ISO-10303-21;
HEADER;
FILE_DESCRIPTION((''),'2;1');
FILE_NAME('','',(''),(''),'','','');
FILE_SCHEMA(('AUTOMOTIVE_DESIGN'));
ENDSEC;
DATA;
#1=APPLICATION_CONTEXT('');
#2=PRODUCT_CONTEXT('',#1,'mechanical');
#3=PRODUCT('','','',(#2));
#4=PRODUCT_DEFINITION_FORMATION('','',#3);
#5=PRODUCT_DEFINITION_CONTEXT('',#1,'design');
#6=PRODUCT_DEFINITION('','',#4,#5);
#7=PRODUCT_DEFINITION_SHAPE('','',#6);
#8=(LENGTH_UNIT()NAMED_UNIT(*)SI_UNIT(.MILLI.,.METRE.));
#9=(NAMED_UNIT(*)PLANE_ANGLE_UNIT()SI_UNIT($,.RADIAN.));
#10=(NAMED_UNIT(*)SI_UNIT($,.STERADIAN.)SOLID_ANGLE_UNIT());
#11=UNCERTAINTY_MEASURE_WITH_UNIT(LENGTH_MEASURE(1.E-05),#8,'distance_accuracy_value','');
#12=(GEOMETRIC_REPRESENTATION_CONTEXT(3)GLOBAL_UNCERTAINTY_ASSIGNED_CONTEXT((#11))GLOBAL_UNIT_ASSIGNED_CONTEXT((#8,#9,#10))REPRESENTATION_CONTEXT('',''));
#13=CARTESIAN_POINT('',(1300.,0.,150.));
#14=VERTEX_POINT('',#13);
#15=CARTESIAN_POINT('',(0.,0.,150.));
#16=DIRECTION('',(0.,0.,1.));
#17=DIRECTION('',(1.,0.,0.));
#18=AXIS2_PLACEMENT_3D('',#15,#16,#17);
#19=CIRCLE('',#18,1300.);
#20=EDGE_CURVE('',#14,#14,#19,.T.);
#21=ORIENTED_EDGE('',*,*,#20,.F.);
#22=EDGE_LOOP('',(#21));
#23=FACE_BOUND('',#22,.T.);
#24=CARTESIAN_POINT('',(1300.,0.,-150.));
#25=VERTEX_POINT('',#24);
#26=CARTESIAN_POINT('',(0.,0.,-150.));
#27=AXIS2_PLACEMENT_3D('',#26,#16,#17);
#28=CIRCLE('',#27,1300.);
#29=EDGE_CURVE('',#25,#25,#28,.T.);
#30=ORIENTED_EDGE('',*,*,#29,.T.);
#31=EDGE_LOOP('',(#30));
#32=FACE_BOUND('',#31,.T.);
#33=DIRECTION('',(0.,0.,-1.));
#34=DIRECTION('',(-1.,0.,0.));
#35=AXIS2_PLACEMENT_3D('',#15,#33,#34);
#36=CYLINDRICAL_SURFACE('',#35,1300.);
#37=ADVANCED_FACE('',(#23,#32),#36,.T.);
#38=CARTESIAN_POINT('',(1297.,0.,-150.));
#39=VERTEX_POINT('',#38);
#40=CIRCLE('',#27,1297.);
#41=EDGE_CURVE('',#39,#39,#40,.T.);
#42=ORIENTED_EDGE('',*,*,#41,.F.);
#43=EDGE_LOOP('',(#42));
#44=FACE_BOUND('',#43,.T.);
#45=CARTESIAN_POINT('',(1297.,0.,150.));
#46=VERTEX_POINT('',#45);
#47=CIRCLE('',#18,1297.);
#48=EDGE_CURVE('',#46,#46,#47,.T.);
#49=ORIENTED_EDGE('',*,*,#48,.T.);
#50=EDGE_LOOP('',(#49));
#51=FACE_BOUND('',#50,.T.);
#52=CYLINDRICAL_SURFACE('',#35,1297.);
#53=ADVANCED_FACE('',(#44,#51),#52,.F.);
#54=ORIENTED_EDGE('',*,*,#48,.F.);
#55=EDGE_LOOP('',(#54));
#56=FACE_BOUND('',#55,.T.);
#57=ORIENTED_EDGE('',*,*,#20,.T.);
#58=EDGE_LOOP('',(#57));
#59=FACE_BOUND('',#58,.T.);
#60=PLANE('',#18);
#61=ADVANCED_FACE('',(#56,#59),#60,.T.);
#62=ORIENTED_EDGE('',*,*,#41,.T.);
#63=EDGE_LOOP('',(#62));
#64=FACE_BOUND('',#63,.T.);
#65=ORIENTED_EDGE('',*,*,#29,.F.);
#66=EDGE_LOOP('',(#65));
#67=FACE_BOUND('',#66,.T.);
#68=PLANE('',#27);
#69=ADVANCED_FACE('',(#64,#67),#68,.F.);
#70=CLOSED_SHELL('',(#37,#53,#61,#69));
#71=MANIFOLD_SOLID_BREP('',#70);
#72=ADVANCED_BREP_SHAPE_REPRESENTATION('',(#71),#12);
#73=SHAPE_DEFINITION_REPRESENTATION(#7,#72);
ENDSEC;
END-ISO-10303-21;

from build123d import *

# Parameters (mm, degrees)
SKETCH1_R           = 1300
SKETCH1_R_2         = 1297
EXTRUDE_THIN1_DEPTH = 150


with BuildPart() as part:
    # Sketch1 → Extrude-Thin1 (new, symmetric)
    with BuildSketch(Plane.XY):
        Circle(SKETCH1_R)
        Circle(SKETCH1_R_2, mode=Mode.SUBTRACT)
    extrude(amount=EXTRUDE_THIN1_DEPTH, both=True)


solid = part.part
